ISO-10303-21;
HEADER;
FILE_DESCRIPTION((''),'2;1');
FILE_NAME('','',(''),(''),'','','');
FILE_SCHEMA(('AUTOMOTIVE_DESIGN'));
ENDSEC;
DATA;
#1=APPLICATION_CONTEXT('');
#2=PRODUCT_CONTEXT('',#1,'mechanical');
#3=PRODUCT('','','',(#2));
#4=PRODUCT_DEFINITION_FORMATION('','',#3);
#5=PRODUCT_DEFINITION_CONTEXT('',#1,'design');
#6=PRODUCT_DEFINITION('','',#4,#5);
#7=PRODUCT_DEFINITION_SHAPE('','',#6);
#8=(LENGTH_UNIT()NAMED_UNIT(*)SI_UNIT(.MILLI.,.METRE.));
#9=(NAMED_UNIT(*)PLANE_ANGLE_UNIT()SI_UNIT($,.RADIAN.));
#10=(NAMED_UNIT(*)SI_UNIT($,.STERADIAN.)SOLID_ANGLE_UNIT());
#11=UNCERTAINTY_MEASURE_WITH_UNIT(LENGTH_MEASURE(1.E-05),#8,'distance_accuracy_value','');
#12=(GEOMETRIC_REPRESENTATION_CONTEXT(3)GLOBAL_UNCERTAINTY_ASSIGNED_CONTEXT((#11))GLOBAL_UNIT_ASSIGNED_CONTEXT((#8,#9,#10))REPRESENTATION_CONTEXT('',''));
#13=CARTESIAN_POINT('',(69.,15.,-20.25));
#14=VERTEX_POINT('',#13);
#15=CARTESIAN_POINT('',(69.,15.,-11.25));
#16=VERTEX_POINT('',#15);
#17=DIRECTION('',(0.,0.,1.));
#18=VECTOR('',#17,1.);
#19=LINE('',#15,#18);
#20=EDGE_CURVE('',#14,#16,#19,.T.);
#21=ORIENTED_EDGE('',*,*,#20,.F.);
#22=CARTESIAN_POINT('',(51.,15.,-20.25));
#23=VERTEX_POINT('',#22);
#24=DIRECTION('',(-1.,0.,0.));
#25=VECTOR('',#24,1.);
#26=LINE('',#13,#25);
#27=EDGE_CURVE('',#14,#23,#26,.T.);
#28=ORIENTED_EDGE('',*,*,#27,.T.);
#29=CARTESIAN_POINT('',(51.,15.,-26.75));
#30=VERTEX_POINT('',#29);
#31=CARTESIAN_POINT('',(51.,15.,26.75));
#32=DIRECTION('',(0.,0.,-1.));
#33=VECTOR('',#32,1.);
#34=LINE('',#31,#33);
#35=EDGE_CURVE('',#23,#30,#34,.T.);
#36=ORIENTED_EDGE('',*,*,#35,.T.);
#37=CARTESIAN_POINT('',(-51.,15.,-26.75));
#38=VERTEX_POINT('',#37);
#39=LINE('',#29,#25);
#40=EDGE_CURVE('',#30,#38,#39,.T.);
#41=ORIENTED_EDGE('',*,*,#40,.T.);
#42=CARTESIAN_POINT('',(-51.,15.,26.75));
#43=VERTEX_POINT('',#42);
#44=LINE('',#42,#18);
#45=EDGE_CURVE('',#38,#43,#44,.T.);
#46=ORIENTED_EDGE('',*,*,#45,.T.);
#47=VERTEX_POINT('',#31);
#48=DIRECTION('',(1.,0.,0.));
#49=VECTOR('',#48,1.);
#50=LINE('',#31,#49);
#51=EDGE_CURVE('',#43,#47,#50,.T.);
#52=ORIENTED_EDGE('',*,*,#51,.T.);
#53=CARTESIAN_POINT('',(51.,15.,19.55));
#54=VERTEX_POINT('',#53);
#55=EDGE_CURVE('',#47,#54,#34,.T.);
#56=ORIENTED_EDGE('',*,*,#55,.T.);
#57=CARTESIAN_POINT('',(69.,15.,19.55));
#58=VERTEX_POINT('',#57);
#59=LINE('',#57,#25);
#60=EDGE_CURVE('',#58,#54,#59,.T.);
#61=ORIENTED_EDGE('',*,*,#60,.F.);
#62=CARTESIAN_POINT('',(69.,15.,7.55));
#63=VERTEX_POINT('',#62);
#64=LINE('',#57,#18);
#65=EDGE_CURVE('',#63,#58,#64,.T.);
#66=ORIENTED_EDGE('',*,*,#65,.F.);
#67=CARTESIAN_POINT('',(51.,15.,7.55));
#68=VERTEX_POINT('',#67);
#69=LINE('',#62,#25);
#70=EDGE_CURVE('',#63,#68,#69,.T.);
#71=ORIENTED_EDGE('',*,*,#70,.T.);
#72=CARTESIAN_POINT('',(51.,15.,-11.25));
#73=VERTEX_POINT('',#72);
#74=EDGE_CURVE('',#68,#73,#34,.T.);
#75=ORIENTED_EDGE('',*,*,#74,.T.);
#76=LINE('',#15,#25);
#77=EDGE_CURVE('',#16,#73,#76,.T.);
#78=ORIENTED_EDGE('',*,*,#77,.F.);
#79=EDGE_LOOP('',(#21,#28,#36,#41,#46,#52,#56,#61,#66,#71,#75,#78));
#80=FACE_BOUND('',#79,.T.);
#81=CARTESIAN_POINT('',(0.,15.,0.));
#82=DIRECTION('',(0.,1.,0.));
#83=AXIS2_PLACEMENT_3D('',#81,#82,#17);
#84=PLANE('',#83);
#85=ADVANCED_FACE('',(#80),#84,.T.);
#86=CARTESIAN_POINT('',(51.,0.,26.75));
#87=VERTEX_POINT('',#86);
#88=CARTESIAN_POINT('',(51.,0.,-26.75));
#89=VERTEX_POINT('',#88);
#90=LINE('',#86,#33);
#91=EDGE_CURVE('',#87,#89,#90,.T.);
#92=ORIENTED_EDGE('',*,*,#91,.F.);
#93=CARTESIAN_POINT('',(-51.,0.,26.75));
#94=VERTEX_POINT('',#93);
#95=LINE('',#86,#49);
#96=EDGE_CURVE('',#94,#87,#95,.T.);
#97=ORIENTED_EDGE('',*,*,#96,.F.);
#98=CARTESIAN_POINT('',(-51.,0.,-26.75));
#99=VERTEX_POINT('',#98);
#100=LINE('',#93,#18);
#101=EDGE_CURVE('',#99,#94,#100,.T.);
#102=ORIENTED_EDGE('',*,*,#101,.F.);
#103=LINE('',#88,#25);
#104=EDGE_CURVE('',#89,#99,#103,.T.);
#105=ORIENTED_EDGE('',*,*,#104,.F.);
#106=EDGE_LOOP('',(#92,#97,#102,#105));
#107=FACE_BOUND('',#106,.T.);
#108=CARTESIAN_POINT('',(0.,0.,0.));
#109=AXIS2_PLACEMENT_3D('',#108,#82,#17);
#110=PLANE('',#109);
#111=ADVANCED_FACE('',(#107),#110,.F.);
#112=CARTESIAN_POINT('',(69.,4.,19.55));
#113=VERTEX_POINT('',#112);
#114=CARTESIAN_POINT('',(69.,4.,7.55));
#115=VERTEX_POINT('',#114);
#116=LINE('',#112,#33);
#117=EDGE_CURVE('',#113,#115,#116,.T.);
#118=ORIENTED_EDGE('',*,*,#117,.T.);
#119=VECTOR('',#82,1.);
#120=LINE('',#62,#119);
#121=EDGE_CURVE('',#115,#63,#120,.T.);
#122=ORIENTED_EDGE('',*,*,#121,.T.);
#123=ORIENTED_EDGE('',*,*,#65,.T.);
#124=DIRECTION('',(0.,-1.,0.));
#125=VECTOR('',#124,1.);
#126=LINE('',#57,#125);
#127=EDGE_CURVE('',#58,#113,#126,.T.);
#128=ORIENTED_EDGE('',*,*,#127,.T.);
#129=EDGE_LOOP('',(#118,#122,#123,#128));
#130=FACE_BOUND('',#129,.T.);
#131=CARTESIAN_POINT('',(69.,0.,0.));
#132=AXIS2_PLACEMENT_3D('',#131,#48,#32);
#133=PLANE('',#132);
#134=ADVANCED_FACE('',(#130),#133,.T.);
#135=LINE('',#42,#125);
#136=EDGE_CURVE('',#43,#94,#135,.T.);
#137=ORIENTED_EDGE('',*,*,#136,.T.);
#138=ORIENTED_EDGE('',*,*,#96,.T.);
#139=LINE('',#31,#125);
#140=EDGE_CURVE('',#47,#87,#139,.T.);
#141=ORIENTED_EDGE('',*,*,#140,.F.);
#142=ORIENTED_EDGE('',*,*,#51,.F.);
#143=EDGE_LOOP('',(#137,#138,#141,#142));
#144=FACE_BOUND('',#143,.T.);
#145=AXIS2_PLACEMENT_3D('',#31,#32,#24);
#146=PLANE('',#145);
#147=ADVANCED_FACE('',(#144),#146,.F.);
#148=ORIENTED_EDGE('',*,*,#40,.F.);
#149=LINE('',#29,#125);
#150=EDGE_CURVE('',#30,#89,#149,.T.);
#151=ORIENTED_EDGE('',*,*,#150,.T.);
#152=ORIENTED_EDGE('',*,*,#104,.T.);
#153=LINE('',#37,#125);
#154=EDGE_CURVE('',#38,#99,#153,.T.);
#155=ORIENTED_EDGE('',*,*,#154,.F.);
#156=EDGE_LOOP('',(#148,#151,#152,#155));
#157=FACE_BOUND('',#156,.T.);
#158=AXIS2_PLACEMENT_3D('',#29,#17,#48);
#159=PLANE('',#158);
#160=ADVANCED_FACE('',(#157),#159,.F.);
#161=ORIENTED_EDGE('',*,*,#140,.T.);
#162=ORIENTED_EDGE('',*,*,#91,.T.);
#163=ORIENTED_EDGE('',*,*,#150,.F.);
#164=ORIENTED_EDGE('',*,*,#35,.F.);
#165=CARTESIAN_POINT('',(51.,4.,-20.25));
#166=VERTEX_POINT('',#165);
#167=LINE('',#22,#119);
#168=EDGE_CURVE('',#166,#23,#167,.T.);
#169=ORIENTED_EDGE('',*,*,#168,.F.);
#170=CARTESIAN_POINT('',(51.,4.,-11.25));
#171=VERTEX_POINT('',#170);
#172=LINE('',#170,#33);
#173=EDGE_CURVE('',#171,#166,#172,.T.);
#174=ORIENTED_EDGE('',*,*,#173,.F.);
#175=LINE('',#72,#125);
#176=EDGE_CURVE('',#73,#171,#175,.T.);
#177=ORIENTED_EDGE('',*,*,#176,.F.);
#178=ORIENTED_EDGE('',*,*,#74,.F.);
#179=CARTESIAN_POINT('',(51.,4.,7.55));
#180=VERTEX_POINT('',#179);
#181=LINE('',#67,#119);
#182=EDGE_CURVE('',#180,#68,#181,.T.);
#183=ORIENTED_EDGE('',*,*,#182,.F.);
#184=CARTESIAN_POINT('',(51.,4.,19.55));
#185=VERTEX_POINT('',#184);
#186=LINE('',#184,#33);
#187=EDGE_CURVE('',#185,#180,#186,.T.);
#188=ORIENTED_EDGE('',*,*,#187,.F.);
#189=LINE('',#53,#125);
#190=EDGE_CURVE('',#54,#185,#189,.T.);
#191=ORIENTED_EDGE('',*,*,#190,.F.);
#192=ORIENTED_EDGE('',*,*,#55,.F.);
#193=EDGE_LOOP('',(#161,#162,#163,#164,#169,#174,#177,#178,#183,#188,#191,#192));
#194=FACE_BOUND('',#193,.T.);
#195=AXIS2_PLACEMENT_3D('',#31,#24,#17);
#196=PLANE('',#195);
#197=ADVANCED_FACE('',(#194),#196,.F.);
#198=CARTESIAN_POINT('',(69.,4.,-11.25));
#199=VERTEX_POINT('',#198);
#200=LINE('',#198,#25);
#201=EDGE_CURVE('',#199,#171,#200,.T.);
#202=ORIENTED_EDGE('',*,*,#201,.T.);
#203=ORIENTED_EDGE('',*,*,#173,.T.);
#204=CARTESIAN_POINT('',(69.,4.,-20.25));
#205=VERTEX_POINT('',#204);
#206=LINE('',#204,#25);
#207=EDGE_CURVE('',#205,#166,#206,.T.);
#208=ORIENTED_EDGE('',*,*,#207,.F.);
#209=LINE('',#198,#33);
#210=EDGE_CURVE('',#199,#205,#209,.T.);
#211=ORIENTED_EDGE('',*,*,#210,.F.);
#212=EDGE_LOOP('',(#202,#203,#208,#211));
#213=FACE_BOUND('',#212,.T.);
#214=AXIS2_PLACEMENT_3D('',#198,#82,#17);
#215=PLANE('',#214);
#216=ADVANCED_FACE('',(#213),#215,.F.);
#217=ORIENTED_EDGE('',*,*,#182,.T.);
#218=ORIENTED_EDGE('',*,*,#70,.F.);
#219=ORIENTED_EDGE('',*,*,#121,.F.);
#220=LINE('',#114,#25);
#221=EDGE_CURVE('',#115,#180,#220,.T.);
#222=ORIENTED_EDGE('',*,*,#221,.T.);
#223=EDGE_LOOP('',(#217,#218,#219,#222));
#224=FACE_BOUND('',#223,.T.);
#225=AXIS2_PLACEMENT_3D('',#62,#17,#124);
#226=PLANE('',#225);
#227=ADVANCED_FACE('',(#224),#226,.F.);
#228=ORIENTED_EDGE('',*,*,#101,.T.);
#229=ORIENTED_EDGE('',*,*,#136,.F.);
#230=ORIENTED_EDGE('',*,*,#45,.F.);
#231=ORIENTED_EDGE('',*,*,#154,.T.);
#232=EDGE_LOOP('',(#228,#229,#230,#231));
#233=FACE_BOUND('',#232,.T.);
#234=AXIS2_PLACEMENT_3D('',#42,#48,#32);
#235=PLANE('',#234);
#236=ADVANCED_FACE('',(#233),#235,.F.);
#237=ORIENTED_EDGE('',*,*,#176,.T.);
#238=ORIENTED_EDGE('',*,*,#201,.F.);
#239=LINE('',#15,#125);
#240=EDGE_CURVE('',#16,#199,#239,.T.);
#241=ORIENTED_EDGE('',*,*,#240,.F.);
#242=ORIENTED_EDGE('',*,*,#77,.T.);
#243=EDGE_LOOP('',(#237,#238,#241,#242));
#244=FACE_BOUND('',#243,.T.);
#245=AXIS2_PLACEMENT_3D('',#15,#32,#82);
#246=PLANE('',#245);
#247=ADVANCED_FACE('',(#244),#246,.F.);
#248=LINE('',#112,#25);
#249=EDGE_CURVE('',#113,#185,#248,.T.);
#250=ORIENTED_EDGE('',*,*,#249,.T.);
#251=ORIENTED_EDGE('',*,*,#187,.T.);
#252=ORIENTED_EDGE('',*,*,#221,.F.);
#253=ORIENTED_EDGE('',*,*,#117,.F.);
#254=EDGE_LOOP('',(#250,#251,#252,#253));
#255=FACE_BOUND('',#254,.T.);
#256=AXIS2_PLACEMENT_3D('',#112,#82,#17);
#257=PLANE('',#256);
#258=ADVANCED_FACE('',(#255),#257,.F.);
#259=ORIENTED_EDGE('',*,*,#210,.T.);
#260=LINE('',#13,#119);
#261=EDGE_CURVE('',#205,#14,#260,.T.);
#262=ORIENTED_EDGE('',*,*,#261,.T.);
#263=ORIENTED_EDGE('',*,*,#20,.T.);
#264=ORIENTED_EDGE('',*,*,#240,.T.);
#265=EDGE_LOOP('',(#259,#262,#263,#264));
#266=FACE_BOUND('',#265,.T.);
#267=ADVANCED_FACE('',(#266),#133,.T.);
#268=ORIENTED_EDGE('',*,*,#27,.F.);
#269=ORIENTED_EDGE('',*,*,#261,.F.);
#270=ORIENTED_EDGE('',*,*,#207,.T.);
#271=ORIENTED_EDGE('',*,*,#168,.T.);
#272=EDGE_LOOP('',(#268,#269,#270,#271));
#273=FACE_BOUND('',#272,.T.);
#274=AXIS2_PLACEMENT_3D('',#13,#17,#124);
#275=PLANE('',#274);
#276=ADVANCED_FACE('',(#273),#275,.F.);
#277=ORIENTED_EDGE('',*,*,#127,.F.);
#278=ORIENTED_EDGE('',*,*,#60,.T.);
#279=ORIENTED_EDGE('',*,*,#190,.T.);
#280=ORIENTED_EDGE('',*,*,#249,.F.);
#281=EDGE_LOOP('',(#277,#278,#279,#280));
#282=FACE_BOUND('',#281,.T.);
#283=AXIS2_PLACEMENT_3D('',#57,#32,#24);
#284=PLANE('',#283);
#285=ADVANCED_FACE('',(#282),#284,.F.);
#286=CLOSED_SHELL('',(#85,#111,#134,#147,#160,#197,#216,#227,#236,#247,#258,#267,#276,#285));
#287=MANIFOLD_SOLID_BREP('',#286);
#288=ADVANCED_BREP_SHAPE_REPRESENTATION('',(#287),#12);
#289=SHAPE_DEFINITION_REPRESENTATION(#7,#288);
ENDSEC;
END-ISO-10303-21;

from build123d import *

# Parameters (mm, degrees)
CROQUIS1_W              = 102
CROQUIS1_H              = 53.5
SALIENTE_EXTRUIR1_DEPTH = 15
CROQUIS2_W              = 12
CROQUIS2_H              = 11
CROQUIS2_W_2            = 9
SALIENTE_EXTRUIR2_DEPTH = 18


with BuildPart() as part:
    # Croquis1 → Saliente-Extruir1 (new body)
    with BuildSketch(Plane(origin=(0, 0, 0), x_dir=(1, 0, 0), z_dir=(0, 1, 0))):
        Rectangle(CROQUIS1_W, CROQUIS1_H)
    extrude(amount=SALIENTE_EXTRUIR1_DEPTH)

    # Croquis2 → Saliente-Extruir2 (add)
    with BuildSketch(Plane(origin=(51, 0, 0), x_dir=(0, 0, -1), z_dir=(1, 0, 0))):
        with Locations((-13.55, 9.5)):
            Rectangle(CROQUIS2_W, CROQUIS2_H)
        with Locations((15.75, 9.5)):
            Rectangle(CROQUIS2_W_2, CROQUIS2_H)
    extrude(amount=SALIENTE_EXTRUIR2_DEPTH)


solid = part.part
